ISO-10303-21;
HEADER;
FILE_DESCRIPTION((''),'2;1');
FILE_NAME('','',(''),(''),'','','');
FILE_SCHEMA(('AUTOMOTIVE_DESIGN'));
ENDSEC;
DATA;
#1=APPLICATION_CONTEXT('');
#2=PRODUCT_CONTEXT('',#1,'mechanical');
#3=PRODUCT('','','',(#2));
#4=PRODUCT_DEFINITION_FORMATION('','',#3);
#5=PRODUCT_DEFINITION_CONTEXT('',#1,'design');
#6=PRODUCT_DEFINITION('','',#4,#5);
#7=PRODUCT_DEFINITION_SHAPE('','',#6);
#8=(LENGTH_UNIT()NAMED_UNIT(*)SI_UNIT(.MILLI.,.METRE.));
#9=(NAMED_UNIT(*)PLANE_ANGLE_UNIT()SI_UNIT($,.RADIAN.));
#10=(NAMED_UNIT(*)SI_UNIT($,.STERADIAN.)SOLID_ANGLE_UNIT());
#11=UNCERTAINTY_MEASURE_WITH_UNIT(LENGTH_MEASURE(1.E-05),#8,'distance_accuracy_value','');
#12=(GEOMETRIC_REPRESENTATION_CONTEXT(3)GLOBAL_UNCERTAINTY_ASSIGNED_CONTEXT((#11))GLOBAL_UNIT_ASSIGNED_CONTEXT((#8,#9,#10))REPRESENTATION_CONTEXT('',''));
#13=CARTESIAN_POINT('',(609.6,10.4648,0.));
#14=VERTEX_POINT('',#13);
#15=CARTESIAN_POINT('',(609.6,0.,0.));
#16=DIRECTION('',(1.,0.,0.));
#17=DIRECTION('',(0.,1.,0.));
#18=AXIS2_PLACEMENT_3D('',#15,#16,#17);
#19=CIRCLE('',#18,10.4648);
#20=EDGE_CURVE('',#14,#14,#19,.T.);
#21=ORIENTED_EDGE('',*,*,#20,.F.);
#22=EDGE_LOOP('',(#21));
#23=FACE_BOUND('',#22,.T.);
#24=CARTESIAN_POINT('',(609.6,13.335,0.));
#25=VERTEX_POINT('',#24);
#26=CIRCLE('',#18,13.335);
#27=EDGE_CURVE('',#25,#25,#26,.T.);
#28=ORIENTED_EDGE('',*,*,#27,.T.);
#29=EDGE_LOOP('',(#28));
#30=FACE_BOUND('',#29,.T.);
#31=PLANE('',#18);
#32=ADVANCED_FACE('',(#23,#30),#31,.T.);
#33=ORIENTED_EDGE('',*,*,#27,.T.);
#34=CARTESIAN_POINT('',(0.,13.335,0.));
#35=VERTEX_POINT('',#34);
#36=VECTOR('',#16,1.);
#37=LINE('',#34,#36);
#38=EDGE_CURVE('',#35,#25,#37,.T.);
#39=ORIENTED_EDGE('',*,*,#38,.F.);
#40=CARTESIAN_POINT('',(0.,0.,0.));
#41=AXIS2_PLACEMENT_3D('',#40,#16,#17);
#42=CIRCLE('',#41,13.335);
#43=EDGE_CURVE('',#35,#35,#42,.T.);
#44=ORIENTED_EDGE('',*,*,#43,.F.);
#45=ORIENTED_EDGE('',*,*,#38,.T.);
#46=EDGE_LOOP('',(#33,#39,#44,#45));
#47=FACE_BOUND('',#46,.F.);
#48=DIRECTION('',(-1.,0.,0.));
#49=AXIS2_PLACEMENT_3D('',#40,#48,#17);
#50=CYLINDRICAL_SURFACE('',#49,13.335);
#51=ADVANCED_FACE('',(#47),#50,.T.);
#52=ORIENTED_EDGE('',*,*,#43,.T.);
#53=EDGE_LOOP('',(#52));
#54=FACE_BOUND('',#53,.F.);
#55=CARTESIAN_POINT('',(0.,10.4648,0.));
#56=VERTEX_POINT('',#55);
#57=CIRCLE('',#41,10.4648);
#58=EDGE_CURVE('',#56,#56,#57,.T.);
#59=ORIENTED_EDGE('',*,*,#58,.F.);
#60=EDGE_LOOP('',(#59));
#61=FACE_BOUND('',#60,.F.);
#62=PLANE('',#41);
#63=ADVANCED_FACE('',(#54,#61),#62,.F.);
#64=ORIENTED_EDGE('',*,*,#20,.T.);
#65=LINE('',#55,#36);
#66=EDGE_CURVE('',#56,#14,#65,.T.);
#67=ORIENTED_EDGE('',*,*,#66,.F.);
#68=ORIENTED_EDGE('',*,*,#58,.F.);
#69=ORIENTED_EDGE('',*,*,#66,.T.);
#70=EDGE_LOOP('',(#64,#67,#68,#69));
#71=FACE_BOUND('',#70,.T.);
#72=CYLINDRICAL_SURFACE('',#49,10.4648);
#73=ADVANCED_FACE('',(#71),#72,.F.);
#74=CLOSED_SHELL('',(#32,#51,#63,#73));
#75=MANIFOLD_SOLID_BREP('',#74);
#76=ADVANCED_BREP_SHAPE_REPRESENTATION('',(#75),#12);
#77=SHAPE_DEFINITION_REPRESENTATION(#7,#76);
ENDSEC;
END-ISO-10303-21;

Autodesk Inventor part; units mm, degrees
ref_plane "YZ Plane" through (0, 0, 0) normal (1, 0, 0) x (0, 1, 0)
ref_plane "XZ Plane" through (0, 0, 0) normal (0, 1, 0) x (-1, 0, 0)
ref_plane "XY Plane" through (0, 0, 0) normal (0, 0, 1) x (1, 0, 0)
sketch "Sketch3" plane through (0, 0, 0) normal (1, 0, 0) x (0, 1, 0)
  circle A0 centre (0, 0) radius 10.4648
  circle A1 centre (0, 0) radius 13.335
  dimension "d10" = 26.67
  dimension "d11" = 20.9296
extrude "Extrusion3" add sketch "Sketch3" along normal blind 609.6
equation "\"d10\" = cArmOutsideDiam"
equation "\"d11\" = cArmInsideDiam"
equation "\"d12\" = cArmLength"
equation "\"catapultArmWallThickness\" = 1.5875"
equation "\"catapultArmWidth\" = 50.8"
equation "\"catapultArmLength\" = 1219.2"
equation "\"catapultArmAxelHoleDaim\" = 12.7"
equation "\"catapultArmHoleDistanceFromEnd\" = 381"
equation "\"cArmInsideDiam\" = 20.9296"
equation "\"cArmOutsideDiam\" = 26.67"
equation "\"cArmLength\" = 609.6"
properties part number "cAxelPVC3_4inchSchedule40"
